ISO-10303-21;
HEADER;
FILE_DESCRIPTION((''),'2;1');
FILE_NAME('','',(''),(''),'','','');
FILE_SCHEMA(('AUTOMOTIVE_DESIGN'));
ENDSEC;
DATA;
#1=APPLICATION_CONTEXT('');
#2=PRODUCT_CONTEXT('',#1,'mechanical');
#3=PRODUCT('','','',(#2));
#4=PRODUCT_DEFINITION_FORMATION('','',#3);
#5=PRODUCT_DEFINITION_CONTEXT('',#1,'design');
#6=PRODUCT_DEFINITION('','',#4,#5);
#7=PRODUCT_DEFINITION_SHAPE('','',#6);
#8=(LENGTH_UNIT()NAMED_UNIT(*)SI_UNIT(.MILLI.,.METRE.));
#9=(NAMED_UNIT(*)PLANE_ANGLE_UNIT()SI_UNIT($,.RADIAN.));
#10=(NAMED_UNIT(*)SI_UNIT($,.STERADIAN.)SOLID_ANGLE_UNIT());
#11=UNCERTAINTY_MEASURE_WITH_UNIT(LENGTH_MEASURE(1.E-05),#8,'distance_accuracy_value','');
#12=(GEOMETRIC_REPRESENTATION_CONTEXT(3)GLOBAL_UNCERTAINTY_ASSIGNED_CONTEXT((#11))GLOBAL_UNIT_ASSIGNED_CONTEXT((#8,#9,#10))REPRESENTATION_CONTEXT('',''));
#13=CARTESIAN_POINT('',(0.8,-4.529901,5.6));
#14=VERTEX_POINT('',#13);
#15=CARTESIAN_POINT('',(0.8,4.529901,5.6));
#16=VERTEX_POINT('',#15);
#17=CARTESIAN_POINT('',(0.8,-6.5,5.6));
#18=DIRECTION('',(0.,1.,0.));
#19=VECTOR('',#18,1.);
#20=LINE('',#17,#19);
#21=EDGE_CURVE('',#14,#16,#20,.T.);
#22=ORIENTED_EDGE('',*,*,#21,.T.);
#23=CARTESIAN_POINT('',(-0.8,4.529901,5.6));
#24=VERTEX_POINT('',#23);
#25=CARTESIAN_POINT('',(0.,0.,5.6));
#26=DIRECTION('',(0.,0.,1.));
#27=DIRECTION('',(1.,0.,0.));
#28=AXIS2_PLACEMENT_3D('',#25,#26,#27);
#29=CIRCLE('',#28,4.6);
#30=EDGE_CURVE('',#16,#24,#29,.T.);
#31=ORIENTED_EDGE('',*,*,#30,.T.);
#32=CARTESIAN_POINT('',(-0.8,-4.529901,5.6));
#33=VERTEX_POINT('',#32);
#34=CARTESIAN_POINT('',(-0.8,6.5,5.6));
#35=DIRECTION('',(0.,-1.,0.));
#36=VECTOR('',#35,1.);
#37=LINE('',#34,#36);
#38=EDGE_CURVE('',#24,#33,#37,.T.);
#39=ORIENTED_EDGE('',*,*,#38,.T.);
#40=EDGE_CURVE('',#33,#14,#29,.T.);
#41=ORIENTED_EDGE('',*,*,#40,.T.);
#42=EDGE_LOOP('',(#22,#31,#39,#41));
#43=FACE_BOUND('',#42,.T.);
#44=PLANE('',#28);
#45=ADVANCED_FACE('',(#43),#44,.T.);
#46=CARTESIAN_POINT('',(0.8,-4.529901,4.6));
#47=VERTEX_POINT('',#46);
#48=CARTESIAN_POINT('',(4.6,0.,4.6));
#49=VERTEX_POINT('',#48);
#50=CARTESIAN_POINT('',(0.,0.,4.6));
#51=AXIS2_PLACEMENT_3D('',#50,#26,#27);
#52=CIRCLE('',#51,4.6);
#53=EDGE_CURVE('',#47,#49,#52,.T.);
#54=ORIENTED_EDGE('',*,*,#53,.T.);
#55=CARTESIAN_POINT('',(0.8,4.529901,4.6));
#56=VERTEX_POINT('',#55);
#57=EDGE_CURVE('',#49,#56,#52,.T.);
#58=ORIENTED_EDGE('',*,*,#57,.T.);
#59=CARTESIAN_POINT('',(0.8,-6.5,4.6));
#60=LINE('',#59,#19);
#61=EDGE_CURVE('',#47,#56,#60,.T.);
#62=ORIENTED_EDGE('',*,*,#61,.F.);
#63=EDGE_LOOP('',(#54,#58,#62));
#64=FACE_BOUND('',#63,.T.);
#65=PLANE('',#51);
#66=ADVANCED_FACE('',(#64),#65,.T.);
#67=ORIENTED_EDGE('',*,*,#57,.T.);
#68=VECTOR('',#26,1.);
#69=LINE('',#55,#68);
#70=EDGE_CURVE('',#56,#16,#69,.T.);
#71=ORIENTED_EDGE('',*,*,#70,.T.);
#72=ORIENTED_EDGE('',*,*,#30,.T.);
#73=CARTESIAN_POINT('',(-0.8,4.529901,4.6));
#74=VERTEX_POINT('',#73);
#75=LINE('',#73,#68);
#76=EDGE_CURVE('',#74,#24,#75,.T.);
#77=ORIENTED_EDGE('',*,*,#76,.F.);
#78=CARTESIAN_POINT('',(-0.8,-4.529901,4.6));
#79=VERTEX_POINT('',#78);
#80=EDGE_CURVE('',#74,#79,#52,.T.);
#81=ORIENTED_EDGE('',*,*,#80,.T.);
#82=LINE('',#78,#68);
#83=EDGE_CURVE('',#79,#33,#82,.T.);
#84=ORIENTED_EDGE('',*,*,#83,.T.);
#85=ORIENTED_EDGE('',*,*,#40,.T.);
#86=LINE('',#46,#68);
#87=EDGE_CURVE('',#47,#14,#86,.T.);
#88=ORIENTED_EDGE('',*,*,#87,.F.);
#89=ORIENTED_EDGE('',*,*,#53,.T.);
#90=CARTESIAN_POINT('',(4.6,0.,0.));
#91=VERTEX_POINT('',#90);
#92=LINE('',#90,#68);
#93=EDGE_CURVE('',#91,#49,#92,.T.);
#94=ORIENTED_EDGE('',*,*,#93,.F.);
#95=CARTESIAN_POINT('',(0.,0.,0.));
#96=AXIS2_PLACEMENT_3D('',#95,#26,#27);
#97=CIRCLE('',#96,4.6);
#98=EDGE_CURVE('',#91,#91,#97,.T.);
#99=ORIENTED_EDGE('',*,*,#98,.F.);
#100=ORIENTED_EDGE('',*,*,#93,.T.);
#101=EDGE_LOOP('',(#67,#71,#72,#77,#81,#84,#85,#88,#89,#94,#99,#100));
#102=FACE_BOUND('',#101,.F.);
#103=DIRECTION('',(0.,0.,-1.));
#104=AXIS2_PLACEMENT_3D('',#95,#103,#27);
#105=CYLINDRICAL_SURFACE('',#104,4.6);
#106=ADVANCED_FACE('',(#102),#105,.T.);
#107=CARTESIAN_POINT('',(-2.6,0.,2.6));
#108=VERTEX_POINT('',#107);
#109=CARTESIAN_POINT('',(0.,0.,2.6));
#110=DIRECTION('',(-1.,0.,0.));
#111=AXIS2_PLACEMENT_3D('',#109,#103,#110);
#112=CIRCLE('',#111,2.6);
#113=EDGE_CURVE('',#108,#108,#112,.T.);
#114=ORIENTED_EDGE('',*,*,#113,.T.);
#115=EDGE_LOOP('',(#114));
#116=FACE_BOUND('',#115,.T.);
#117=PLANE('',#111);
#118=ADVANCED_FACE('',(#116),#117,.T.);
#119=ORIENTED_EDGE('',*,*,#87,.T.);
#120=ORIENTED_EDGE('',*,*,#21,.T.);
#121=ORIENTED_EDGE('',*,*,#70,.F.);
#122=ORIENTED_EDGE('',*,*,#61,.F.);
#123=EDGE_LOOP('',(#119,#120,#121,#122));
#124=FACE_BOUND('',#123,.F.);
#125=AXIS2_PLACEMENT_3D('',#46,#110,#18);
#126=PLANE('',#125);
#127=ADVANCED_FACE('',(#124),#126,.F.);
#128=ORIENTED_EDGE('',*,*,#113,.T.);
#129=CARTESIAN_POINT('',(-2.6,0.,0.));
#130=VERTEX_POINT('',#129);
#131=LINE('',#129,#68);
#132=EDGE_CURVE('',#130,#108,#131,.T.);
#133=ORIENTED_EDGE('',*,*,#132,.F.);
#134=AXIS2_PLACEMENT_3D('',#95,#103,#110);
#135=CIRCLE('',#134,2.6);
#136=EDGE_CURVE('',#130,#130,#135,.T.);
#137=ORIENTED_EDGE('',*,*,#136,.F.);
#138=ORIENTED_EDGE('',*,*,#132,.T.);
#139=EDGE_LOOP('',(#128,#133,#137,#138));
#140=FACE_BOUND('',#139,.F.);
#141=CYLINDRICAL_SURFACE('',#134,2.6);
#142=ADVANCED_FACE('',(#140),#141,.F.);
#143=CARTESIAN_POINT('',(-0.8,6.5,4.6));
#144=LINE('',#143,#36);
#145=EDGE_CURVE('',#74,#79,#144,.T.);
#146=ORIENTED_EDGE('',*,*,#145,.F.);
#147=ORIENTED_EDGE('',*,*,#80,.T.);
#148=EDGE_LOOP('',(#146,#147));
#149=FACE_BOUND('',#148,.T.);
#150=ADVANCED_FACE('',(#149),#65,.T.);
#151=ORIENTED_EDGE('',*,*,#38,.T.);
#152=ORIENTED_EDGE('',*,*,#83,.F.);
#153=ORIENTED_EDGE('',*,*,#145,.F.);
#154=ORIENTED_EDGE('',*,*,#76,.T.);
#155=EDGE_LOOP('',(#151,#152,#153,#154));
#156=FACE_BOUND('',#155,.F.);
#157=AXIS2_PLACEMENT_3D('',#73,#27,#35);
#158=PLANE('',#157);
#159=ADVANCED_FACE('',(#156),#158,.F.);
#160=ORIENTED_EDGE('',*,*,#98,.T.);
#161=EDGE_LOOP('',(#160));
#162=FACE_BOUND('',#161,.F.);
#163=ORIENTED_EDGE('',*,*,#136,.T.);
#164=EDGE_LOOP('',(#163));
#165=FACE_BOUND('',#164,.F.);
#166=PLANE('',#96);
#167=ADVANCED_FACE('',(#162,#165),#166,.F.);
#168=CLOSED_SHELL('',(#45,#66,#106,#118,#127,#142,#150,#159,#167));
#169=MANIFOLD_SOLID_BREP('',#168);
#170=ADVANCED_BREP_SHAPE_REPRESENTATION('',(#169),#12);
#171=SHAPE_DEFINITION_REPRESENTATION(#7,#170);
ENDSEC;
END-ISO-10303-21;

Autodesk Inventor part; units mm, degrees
ref_plane "YZ Plane" through (0, 0, 0) normal (1, 0, 0) x (0, 1, 0)
ref_plane "XZ Plane" through (0, 0, 0) normal (0, 1, 0) x (-1, 0, 0)
ref_plane "XY Plane" through (0, 0, 0) normal (0, 0, 1) x (1, 0, 0)
sketch "Sketch1" plane through (0, 0, 0) normal (0, 0, 1) x (1, 0, 0)
  circle A0 centre (0, 0) radius 4.6
  dimension "d0" = 9.2
extrude "Extrusion1" add sketch "Sketch1" along normal blind 4.6
sketch "Sketch2" plane through (0, 0, 0) normal (0, 0, -1) x (-1, 0, 0)
  circle A0 centre (0, 0) radius 2.6
  dimension "d3" = 5.2
extrude "Extrusion2" cut sketch "Sketch2" against normal blind 2.6
sketch "Sketch4" plane through (0, 0, 4.6) normal (0, 0, 1) x (1, 0, 0)
  line L0 (0.8, 6.5) -> (-0.8, 6.5)
  line L1 (-0.8, 6.5) -> (-0.8, -6.5)
  line L2 (-0.8, -6.5) -> (0.8, -6.5)
  line L3 (0.8, -6.5) -> (0.8, 6.5)
  line L4 (0.8, 6.5) -> (-0.8, -6.5) construction
  line L5 (-0.8, 6.5) -> (0.8, -6.5) construction
  circle A0 centre (0, 0) radius 4.6
  circle A1 centre (0, 0) radius 4.6 projected
  point P0 (0.8, 4.5299)
  point P1 (-0.8, 4.5299)
  point P2 (-0.8, -4.5299)
  point P3 (0.8, -4.5299)
  dimension "d14" = 1.6
  dimension "d15" = 13
extrude "Extrusion4" add sketch "Sketch4" along normal blind 1 contours L3 A0 L1
properties part number "RamaKola"
